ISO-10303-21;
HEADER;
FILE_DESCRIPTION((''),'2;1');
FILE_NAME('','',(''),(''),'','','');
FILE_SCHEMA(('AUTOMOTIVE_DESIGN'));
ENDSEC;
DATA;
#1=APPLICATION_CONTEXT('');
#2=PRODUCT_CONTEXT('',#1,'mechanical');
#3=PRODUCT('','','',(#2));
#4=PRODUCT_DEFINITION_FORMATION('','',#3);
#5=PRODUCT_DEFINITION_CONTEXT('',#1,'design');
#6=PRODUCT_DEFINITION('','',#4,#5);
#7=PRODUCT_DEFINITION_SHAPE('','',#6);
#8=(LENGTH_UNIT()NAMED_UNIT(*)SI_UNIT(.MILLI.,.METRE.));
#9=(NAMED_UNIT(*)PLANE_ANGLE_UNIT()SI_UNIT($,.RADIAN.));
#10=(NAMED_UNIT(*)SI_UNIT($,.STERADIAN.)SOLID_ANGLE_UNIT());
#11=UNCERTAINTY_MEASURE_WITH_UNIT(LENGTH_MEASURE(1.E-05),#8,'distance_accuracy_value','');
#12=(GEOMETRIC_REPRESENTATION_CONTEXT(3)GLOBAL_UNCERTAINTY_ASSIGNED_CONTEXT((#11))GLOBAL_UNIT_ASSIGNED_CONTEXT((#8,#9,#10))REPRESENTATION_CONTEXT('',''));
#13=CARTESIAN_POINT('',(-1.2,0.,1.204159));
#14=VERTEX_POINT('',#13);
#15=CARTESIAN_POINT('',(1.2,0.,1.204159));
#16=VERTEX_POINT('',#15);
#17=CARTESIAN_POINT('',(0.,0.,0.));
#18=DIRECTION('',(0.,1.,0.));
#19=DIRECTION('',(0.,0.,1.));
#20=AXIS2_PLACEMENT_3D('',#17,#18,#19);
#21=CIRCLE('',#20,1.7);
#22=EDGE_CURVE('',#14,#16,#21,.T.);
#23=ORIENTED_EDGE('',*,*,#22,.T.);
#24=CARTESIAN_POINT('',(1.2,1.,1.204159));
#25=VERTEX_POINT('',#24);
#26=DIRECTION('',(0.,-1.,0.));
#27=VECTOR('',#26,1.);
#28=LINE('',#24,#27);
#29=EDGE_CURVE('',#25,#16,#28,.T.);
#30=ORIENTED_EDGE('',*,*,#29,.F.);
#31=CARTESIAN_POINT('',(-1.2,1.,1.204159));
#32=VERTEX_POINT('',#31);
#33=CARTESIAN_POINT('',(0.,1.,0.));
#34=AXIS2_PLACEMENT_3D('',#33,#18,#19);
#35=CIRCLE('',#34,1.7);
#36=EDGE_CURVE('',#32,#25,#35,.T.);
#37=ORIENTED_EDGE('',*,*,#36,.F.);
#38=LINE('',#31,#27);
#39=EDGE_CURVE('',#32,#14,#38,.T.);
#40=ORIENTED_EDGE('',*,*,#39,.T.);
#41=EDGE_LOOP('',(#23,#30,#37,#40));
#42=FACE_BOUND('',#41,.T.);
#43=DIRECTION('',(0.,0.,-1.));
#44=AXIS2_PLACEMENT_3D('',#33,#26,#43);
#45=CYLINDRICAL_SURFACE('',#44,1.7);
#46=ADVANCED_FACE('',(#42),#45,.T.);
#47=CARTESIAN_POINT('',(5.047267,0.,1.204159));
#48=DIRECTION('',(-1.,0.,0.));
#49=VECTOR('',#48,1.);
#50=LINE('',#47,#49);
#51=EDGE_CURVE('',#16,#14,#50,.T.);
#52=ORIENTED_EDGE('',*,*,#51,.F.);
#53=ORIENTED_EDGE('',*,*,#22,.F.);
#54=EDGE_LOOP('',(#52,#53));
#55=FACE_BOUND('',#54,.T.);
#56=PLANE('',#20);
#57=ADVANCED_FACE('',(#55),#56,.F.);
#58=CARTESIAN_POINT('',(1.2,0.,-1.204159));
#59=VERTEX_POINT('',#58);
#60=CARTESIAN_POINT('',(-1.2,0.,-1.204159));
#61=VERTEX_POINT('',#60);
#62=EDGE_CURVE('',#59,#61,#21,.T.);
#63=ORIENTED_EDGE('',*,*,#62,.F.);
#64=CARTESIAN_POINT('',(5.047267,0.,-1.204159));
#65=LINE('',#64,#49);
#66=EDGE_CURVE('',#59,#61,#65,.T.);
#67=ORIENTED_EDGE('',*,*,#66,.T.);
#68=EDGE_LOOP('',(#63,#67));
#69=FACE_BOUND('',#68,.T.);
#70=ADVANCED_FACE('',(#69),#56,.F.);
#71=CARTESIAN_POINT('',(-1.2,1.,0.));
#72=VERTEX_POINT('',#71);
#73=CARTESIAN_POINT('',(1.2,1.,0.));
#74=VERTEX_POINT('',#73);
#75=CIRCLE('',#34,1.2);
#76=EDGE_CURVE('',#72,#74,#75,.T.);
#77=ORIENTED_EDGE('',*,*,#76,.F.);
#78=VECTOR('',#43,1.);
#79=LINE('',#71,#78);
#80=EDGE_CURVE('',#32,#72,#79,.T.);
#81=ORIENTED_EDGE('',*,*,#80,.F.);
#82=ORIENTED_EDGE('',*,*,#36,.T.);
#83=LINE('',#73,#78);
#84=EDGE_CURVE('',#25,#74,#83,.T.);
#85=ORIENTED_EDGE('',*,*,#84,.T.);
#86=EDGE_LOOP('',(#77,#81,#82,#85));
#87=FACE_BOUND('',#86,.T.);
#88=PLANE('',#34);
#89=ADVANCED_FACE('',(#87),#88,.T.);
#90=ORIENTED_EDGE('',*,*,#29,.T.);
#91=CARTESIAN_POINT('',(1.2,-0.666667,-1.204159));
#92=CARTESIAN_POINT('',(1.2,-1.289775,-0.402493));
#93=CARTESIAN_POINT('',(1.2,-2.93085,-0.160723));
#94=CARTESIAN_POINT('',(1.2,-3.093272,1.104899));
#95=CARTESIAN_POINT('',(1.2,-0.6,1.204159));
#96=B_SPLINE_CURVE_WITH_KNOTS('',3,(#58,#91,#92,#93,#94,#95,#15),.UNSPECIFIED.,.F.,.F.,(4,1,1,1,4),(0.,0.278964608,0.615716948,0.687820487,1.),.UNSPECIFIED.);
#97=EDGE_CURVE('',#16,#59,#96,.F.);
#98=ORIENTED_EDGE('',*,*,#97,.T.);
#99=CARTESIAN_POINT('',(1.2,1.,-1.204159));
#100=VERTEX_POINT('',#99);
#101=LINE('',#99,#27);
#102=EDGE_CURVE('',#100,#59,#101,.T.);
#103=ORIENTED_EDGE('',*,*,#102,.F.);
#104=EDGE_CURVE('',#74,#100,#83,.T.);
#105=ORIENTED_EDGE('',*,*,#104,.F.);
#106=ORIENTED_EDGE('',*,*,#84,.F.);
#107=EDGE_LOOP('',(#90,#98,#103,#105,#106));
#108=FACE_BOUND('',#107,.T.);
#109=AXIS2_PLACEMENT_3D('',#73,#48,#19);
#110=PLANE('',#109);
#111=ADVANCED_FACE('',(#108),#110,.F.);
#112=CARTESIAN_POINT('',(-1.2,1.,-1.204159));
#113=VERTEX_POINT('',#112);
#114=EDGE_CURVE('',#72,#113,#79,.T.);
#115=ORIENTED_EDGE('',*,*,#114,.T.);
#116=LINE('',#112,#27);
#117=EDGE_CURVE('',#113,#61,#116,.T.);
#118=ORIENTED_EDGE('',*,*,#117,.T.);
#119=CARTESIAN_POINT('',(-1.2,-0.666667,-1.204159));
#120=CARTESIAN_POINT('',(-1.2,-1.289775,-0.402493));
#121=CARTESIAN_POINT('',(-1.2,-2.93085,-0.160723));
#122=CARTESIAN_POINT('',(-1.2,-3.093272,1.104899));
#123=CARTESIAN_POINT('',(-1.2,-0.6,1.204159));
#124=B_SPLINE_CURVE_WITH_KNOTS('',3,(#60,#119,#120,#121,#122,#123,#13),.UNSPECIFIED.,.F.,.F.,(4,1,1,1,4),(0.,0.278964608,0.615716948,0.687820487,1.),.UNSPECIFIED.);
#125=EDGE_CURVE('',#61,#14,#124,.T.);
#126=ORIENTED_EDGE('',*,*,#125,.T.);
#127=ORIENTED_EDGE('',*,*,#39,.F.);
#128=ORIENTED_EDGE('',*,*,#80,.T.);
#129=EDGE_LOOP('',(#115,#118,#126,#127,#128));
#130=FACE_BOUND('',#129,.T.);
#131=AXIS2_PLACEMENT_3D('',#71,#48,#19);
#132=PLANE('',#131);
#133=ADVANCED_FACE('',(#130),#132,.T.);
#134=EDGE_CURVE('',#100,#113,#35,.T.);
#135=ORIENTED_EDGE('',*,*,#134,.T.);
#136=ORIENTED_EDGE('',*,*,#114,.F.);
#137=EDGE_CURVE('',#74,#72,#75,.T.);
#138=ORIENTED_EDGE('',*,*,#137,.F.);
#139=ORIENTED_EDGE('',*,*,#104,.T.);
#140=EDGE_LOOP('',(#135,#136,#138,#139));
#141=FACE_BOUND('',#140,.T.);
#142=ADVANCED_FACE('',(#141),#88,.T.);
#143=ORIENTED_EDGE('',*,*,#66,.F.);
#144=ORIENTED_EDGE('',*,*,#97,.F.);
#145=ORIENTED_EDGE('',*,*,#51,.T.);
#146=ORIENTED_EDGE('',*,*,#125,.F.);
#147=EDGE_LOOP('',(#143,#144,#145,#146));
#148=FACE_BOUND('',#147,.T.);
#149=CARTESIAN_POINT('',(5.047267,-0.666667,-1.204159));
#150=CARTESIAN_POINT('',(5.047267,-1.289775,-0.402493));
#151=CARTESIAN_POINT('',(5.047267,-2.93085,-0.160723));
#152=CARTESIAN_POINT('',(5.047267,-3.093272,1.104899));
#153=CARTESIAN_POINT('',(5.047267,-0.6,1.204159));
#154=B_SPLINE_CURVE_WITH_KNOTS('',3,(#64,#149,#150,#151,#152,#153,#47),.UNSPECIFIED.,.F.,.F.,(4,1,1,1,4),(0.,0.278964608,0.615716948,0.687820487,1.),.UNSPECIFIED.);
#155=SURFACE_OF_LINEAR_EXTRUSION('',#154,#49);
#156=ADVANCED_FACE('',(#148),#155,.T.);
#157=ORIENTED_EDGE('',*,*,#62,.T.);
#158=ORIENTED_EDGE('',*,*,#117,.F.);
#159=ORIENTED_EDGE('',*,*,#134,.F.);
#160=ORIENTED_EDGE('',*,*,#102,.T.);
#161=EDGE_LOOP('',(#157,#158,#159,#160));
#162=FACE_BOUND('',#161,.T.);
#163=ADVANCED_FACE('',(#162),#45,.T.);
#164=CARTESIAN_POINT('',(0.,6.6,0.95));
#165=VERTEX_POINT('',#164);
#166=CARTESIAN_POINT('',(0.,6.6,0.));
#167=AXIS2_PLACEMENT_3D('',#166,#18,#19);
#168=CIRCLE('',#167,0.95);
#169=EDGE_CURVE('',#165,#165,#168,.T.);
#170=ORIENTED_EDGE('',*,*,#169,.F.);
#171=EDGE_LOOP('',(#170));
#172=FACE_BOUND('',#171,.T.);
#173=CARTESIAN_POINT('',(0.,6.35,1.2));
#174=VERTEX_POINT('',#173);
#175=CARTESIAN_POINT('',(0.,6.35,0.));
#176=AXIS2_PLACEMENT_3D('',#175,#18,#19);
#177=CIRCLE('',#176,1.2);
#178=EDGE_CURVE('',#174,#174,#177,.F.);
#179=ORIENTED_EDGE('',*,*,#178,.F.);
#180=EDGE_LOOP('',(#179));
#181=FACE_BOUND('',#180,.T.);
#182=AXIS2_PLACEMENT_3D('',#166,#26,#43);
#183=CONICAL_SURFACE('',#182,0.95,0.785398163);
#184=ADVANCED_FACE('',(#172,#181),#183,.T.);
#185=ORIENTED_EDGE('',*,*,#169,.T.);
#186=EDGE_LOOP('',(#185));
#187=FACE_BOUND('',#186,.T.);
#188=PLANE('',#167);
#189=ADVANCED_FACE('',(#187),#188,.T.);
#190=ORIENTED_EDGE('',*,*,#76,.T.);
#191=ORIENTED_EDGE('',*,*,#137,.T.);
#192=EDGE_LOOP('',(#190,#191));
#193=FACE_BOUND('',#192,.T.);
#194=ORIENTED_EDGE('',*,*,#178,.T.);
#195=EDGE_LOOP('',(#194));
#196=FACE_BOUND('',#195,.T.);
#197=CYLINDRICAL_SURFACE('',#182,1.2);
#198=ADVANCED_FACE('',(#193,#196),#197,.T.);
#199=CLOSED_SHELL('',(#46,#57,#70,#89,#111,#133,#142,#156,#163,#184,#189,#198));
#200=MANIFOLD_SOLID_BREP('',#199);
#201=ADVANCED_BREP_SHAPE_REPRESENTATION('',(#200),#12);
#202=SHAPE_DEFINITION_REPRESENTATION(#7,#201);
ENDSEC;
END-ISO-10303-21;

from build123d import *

# Parameters (mm, degrees)
SKETCH1_R                       = 1.2
BOSS_EXTRUDE3_DEPTH             = 6.6
CHAMFER1_SIZE                   = 0.25
BOSS_EXTRUDE4_DEPTH             = 1
BOSS_EXTRUDE5_REACH             = 8.92
BOSS_EXTRUDE5_DIRECTION_2_REACH = 8.92


with BuildPart() as part:
    # Sketch1 → Boss-Extrude3 (new body)
    with BuildSketch(Plane(origin=(0, 0, 0), x_dir=(1, 0, 0), z_dir=(0, 1, 0))):
        with Locations(Location((0, 0, 0), (0, 0, 270))):
            Circle(SKETCH1_R)
    extrude(amount=BOSS_EXTRUDE3_DEPTH)

    # Chamfer1
    chamfer1_edges = [part.edges().sort_by_distance(p)[0] for p in [
        (0, 6.6, -1.2),
    ]]
    chamfer(chamfer1_edges, length=CHAMFER1_SIZE)

    # Sketch3 → Boss-Extrude4 (add)
    with BuildSketch(Plane(origin=(0, 0, 0), x_dir=(1, 0, 0), z_dir=(0, 1, 0))):
        with BuildLine():
            Line((-1.2, 0), (-1.2, -1.204159458))
            ThreePointArc((-1.2, -1.204159458), (0, -1.7), (1.2, -1.204159458))
            Line((1.2, -1.204159458), (1.2, 0))
            ThreePointArc((1.2, 0), (0, -1.2), (-1.2, 0))
        make_face()
        with BuildLine():
            Line((-1.2, 1.204159458), (-1.2, 0))
            ThreePointArc((-1.2, 0), (0, 1.2), (1.2, 0))
            Line((1.2, 0), (1.2, 1.204159458))
            ThreePointArc((1.2, 1.204159458), (0, 1.7), (-1.2, 1.204159458))
        make_face()
    extrude(amount=BOSS_EXTRUDE4_DEPTH)

    # Boss-Extrude5: up to this face of the body (flat: up to its plane)
    boss_extrude5_end = Plane(part.part.faces().sort_by_distance((1.2, 0.5, 0))[0])
    # Sketch2 → Boss-Extrude5 (add, up to the picked face)
    with BuildSketch(Plane(origin=(0, 0, 0), x_dir=(0, 0, -1), z_dir=(1, 0, 0)), mode=Mode.PRIVATE) as boss_extrude5_sk1:
        with BuildLine():
            Line((-1.204159458, 0), (1.204159458, 0))
            add(Edge.make_bspline(
                [(1.204159458, 0), (1.204159458, -0.666666667), (0.402493307, -1.289775359), (0.160723245, -2.93084984), (-1.104899297, -3.09327163), (-1.204159458, -0.6), (-1.204159458, 0)],
                knots=[0, 0, 0, 0, 0.278964608, 0.615716948, 0.687820487, 1, 1, 1, 1], degree=3))
        make_face()
    boss_extrude5_tool1 = split(extrude(boss_extrude5_sk1.sketch, amount=BOSS_EXTRUDE5_REACH, mode=Mode.PRIVATE), bisect_by=boss_extrude5_end, keep=Keep.BOTH, mode=Mode.PRIVATE)
    add(boss_extrude5_tool1.solids().sort_by(Axis((0, -1.202365, 0.190001), (1, 0, 0)))[0])

    # Boss-Extrude5 direction 2: up to this face of the body (flat: up to its plane)
    boss_extrude5_direction_2_end = Plane(part.part.faces().sort_by_distance((-1.2, 0.5, 0))[0])
    # Sketch2 → Boss-Extrude5 direction 2 (add, up to the picked face)
    with BuildSketch(Plane(origin=(0, 0, 0), x_dir=(0, 0, -1), z_dir=(1, 0, 0)), mode=Mode.PRIVATE) as boss_extrude5_direction_2_sk1:
        with BuildLine():
            Line((-1.204159458, 0), (1.204159458, 0))
            add(Edge.make_bspline(
                [(1.204159458, 0), (1.204159458, -0.666666667), (0.402493307, -1.289775359), (0.160723245, -2.93084984), (-1.104899297, -3.09327163), (-1.204159458, -0.6), (-1.204159458, 0)],
                knots=[0, 0, 0, 0, 0.278964608, 0.615716948, 0.687820487, 1, 1, 1, 1], degree=3))
        make_face()
    boss_extrude5_direction_2_tool1 = split(extrude(boss_extrude5_direction_2_sk1.sketch, amount=-BOSS_EXTRUDE5_DIRECTION_2_REACH, mode=Mode.PRIVATE), bisect_by=boss_extrude5_direction_2_end, keep=Keep.BOTH, mode=Mode.PRIVATE)
    add(boss_extrude5_direction_2_tool1.solids().sort_by(Axis((0, -1.202365, 0.190001), (-1, 0, 0)))[0])


solid = part.part
